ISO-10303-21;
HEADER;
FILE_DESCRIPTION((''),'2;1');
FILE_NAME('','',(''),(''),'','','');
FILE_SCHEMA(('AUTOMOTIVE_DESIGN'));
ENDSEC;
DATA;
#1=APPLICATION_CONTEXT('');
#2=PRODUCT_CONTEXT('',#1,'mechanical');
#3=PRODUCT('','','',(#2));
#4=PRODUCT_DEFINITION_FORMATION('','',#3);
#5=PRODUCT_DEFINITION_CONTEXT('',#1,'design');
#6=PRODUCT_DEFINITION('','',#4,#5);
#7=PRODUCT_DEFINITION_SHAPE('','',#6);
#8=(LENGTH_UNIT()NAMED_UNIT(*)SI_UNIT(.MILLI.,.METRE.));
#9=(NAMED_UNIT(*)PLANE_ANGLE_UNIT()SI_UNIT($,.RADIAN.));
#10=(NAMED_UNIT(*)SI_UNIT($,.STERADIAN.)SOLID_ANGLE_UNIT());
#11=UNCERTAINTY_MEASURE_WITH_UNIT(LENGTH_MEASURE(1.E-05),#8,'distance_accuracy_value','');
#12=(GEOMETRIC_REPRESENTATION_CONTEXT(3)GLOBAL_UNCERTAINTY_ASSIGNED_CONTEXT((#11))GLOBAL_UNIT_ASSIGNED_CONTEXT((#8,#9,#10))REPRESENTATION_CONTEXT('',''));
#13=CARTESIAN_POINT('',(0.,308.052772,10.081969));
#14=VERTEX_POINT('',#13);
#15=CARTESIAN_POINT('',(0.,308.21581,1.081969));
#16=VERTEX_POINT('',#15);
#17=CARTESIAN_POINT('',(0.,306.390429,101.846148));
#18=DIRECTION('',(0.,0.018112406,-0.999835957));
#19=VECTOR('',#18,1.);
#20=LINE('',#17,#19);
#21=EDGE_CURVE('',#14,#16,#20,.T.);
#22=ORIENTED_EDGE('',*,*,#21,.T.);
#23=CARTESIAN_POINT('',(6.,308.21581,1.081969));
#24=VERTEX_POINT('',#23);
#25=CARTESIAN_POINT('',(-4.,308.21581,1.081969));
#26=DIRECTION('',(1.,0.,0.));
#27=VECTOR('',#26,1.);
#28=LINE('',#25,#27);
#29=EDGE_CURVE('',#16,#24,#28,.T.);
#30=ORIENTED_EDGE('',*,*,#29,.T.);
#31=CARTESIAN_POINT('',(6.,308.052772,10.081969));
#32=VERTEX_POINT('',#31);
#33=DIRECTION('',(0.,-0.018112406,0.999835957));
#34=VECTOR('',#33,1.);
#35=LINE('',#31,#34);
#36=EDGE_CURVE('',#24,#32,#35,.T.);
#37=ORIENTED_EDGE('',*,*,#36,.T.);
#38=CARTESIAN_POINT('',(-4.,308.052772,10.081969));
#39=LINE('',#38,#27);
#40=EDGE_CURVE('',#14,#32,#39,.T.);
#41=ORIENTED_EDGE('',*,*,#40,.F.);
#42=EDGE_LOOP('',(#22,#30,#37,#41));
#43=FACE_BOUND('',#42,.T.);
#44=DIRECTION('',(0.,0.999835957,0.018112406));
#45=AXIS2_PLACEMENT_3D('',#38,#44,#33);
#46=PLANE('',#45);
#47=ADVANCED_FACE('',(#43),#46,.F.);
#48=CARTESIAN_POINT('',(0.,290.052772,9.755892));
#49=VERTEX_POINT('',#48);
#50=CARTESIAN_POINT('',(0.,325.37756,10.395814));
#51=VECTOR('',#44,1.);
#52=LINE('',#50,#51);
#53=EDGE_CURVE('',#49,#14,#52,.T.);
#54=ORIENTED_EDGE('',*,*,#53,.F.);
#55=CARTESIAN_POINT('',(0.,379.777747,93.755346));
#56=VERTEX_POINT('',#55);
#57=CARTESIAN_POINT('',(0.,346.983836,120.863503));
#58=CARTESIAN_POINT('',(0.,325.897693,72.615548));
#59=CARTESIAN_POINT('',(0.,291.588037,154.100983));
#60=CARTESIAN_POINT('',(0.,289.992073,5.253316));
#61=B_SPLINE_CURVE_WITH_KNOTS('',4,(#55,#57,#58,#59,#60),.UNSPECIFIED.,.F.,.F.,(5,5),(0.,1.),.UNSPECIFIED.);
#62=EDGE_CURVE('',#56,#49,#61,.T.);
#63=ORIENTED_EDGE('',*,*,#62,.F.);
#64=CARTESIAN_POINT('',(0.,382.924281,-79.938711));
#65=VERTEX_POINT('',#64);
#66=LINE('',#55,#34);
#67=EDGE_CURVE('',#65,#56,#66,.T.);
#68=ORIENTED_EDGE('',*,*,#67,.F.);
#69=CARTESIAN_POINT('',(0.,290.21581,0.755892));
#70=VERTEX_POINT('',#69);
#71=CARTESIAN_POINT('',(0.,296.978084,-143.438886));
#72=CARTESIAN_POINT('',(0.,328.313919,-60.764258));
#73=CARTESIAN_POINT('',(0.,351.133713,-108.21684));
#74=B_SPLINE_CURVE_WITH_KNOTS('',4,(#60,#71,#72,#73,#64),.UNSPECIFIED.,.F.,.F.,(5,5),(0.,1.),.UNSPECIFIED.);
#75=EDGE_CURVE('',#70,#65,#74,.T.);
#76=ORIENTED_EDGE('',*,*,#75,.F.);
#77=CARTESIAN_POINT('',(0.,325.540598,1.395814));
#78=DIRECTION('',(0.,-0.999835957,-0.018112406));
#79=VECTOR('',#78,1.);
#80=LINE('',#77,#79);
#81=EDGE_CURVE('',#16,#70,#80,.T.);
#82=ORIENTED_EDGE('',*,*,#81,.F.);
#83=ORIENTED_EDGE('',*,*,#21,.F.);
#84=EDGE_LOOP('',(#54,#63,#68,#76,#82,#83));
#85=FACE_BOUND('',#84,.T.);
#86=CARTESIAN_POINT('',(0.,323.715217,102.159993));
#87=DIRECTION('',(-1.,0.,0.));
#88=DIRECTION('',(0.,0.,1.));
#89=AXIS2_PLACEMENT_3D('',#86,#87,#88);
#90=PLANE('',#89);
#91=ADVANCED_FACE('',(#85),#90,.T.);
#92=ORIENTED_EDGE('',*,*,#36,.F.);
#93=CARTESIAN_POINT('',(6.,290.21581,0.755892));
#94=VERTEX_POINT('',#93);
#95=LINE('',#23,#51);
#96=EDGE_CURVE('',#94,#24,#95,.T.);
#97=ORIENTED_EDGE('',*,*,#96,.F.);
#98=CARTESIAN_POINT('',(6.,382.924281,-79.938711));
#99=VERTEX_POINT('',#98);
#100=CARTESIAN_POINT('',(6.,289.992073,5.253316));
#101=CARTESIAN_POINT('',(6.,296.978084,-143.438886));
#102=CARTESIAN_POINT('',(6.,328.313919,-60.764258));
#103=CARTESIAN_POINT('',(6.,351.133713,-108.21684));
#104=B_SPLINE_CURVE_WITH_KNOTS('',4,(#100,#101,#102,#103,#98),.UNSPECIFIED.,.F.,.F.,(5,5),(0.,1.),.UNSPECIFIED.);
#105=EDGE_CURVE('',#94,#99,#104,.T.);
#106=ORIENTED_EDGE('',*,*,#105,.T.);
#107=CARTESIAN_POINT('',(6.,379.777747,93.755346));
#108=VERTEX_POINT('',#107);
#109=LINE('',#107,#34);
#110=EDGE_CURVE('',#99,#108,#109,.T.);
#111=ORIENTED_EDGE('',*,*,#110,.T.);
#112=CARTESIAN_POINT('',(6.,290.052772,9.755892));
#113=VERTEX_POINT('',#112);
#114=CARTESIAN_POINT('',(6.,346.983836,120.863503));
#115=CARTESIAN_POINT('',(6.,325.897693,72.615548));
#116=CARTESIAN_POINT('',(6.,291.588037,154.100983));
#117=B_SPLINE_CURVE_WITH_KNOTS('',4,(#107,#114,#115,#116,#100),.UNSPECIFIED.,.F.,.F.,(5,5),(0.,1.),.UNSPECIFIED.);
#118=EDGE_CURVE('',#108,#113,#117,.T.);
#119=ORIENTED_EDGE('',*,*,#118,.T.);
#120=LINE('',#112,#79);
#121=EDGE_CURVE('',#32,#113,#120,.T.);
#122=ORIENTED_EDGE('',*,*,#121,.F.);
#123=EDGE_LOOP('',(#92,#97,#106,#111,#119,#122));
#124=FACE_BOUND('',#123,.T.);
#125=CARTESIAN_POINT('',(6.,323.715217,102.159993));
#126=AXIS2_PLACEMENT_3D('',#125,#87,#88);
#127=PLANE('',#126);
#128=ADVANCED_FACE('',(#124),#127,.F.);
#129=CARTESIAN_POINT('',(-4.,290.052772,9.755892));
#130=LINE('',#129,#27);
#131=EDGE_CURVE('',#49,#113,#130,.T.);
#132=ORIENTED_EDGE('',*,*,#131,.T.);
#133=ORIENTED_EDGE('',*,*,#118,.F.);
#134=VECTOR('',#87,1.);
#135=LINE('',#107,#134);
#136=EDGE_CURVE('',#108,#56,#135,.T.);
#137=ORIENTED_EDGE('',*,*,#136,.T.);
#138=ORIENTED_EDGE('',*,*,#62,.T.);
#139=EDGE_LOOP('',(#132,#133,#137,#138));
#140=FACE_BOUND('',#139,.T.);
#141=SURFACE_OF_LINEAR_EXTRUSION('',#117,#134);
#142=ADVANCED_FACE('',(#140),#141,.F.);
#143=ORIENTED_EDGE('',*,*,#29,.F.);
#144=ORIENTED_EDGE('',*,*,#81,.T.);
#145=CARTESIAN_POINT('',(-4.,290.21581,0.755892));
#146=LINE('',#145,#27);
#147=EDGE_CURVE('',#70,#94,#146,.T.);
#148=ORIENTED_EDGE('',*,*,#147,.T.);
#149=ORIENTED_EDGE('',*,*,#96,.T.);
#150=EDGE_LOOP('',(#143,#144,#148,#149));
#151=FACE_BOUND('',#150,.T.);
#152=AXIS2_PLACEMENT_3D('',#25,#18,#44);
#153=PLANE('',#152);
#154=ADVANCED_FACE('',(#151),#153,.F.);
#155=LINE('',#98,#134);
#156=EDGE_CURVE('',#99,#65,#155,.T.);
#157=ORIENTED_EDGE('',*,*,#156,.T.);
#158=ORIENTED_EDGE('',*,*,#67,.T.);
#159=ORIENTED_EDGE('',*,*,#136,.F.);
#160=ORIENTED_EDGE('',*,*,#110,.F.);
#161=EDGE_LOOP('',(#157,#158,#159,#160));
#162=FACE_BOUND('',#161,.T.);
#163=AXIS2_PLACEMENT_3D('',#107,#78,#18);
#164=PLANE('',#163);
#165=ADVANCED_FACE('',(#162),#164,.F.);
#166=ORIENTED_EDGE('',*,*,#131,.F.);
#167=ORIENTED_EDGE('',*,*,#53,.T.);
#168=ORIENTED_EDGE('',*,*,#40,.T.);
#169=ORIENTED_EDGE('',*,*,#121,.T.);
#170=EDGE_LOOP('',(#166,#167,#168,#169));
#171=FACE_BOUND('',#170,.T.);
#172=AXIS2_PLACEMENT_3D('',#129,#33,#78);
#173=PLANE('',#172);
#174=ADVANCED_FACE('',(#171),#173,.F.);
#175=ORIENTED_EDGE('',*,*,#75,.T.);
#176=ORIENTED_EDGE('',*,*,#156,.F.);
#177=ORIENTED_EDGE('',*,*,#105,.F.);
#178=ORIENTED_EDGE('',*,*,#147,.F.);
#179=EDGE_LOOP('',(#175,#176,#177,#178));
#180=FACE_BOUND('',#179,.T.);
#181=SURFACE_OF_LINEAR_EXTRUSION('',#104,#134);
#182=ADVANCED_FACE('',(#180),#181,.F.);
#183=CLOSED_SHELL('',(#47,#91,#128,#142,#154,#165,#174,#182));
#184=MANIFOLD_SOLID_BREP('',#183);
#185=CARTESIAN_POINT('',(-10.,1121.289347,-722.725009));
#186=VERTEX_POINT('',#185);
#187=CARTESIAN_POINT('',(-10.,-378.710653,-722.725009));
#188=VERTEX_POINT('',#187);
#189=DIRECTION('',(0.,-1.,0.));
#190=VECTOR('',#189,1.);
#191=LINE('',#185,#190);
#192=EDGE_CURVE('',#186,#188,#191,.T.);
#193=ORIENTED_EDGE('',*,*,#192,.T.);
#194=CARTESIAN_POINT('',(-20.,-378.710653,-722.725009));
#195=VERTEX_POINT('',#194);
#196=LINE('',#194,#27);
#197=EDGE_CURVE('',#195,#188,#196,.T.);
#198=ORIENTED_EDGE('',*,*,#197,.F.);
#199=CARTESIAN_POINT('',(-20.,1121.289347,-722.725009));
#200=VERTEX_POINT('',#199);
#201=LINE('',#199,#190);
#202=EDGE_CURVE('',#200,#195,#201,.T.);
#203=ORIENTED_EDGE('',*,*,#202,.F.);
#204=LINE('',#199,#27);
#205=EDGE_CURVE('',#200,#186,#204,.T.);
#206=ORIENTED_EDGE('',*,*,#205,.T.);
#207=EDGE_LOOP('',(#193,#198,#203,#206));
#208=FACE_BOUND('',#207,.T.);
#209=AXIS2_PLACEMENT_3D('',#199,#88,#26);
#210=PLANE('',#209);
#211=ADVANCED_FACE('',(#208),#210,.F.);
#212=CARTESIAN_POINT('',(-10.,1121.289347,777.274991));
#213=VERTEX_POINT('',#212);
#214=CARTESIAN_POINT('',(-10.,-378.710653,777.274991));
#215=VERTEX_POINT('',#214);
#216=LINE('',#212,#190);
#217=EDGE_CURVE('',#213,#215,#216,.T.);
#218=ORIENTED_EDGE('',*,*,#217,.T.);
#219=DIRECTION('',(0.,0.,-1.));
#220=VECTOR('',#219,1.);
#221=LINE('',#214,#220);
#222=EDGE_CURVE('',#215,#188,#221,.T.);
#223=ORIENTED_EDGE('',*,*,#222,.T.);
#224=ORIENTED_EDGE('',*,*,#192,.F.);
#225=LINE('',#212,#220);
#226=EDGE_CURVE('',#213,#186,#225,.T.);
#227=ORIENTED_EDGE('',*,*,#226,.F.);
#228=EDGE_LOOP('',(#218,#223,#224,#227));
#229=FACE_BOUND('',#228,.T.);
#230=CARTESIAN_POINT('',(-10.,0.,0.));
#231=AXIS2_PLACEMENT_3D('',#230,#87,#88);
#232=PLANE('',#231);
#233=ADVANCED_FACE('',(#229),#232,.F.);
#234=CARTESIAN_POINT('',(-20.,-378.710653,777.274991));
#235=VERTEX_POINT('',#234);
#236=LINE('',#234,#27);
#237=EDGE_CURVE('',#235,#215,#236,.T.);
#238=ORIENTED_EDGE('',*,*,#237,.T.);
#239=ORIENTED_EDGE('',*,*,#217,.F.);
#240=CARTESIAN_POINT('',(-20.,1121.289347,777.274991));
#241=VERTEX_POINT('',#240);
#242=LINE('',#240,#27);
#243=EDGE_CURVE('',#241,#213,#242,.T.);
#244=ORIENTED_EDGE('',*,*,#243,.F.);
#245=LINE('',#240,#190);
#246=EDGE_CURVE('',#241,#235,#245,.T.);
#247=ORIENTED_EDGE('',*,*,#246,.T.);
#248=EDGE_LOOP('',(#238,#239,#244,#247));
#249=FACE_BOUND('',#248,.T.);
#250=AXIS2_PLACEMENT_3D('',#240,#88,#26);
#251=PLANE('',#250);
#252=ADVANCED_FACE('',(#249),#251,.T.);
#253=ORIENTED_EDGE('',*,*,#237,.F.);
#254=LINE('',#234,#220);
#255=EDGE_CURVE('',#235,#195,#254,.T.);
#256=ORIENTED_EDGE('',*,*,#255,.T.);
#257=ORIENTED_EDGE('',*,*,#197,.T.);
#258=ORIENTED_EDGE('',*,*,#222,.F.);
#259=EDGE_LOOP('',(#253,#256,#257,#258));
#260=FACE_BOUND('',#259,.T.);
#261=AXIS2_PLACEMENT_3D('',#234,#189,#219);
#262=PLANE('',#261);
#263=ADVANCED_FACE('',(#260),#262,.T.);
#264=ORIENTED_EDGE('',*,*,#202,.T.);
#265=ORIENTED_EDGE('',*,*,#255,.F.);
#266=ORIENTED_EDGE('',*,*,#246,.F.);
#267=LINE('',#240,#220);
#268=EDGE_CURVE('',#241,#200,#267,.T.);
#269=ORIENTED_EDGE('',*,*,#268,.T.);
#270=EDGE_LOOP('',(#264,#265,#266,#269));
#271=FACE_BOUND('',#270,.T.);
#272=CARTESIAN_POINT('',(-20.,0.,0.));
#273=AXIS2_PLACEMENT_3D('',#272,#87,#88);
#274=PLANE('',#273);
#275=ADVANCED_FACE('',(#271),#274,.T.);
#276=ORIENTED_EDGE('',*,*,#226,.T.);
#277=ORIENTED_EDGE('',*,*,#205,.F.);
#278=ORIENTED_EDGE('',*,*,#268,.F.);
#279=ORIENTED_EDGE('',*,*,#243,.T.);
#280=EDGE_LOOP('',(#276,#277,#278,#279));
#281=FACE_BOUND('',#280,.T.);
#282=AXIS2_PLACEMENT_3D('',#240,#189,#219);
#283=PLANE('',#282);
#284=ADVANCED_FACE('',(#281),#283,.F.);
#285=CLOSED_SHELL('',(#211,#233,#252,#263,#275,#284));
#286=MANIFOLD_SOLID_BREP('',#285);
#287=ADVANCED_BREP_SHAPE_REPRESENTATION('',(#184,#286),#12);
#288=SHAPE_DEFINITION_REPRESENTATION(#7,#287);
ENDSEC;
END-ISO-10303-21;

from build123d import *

# Parameters (mm, degrees)
BOSS_EXTRU_2_DEPTH      = 10
BOSS_EXTRU_3_DEPTH      = 6
ENL_V_MAT_EXTRU_1_DEPTH = 10


with BuildPart() as part:
    # Esquisse3D1 → Boss.-Extru.2 (new body)
    with BuildSketch(Plane(origin=(-20, 1121.289346724, 777.274991403), x_dir=(0, -0.7071067811865476, -0.7071067811865476), z_dir=(1, 0, 0))):
        Polygon((0, 0), (1060.66017178, 1060.66017178), (2121.32034356, 0), (1060.66017178, -1060.66017178), align=None)
    extrude(amount=BOSS_EXTRU_2_DEPTH)


with BuildPart() as body_2:
    # Esquisse5 → Boss.-Extru.3 (new body)
    with BuildSketch(Plane(origin=(0, 0, 0), x_dir=(0, 0, -1), z_dir=(1, 0, 0))):
        with BuildLine():
            Line((-93.755345908, 379.77774717), (79.938710943, 382.924280537))
            add(Edge.make_bspline(
                [(79.938710943, 382.924280537), (108.216840261, 351.133713236), (60.764258189, 328.313918745), (143.438885638, 296.978083527), (-5.253315798, 289.992072674)],
                knots=[0, 0, 0, 0, 0, 1, 1, 1, 1, 1], degree=4))
            add(Edge.make_bspline(
                [(-93.755345908, 379.77774717), (-120.863503042, 346.983836395), (-72.615548345, 325.897693232), (-154.100982944, 291.588036559), (-5.253315798, 289.992072674)],
                knots=[0, 0, 0, 0, 0, 1, 1, 1, 1, 1], degree=4))
        make_face()
    extrude(amount=BOSS_EXTRU_3_DEPTH)

    # Esquisse6 → Enlèv. mat.-Extru.1 (cut)
    with BuildSketch(Plane(origin=(6, 0, 0), x_dir=(0, 0, -1), z_dir=(1, 0, 0))):
        Polygon((-9.755892135, 290.052771706), (-10.081968925, 308.052771706), (-1.081968925, 308.215810101), (-0.755892135, 290.215810101), (9.798309297, 280.709423004), (-13.542023743, 279.203595066), align=None)
    extrude(amount=-ENL_V_MAT_EXTRU_1_DEPTH, mode=Mode.SUBTRACT)


solid = Compound([part.part, body_2.part])
